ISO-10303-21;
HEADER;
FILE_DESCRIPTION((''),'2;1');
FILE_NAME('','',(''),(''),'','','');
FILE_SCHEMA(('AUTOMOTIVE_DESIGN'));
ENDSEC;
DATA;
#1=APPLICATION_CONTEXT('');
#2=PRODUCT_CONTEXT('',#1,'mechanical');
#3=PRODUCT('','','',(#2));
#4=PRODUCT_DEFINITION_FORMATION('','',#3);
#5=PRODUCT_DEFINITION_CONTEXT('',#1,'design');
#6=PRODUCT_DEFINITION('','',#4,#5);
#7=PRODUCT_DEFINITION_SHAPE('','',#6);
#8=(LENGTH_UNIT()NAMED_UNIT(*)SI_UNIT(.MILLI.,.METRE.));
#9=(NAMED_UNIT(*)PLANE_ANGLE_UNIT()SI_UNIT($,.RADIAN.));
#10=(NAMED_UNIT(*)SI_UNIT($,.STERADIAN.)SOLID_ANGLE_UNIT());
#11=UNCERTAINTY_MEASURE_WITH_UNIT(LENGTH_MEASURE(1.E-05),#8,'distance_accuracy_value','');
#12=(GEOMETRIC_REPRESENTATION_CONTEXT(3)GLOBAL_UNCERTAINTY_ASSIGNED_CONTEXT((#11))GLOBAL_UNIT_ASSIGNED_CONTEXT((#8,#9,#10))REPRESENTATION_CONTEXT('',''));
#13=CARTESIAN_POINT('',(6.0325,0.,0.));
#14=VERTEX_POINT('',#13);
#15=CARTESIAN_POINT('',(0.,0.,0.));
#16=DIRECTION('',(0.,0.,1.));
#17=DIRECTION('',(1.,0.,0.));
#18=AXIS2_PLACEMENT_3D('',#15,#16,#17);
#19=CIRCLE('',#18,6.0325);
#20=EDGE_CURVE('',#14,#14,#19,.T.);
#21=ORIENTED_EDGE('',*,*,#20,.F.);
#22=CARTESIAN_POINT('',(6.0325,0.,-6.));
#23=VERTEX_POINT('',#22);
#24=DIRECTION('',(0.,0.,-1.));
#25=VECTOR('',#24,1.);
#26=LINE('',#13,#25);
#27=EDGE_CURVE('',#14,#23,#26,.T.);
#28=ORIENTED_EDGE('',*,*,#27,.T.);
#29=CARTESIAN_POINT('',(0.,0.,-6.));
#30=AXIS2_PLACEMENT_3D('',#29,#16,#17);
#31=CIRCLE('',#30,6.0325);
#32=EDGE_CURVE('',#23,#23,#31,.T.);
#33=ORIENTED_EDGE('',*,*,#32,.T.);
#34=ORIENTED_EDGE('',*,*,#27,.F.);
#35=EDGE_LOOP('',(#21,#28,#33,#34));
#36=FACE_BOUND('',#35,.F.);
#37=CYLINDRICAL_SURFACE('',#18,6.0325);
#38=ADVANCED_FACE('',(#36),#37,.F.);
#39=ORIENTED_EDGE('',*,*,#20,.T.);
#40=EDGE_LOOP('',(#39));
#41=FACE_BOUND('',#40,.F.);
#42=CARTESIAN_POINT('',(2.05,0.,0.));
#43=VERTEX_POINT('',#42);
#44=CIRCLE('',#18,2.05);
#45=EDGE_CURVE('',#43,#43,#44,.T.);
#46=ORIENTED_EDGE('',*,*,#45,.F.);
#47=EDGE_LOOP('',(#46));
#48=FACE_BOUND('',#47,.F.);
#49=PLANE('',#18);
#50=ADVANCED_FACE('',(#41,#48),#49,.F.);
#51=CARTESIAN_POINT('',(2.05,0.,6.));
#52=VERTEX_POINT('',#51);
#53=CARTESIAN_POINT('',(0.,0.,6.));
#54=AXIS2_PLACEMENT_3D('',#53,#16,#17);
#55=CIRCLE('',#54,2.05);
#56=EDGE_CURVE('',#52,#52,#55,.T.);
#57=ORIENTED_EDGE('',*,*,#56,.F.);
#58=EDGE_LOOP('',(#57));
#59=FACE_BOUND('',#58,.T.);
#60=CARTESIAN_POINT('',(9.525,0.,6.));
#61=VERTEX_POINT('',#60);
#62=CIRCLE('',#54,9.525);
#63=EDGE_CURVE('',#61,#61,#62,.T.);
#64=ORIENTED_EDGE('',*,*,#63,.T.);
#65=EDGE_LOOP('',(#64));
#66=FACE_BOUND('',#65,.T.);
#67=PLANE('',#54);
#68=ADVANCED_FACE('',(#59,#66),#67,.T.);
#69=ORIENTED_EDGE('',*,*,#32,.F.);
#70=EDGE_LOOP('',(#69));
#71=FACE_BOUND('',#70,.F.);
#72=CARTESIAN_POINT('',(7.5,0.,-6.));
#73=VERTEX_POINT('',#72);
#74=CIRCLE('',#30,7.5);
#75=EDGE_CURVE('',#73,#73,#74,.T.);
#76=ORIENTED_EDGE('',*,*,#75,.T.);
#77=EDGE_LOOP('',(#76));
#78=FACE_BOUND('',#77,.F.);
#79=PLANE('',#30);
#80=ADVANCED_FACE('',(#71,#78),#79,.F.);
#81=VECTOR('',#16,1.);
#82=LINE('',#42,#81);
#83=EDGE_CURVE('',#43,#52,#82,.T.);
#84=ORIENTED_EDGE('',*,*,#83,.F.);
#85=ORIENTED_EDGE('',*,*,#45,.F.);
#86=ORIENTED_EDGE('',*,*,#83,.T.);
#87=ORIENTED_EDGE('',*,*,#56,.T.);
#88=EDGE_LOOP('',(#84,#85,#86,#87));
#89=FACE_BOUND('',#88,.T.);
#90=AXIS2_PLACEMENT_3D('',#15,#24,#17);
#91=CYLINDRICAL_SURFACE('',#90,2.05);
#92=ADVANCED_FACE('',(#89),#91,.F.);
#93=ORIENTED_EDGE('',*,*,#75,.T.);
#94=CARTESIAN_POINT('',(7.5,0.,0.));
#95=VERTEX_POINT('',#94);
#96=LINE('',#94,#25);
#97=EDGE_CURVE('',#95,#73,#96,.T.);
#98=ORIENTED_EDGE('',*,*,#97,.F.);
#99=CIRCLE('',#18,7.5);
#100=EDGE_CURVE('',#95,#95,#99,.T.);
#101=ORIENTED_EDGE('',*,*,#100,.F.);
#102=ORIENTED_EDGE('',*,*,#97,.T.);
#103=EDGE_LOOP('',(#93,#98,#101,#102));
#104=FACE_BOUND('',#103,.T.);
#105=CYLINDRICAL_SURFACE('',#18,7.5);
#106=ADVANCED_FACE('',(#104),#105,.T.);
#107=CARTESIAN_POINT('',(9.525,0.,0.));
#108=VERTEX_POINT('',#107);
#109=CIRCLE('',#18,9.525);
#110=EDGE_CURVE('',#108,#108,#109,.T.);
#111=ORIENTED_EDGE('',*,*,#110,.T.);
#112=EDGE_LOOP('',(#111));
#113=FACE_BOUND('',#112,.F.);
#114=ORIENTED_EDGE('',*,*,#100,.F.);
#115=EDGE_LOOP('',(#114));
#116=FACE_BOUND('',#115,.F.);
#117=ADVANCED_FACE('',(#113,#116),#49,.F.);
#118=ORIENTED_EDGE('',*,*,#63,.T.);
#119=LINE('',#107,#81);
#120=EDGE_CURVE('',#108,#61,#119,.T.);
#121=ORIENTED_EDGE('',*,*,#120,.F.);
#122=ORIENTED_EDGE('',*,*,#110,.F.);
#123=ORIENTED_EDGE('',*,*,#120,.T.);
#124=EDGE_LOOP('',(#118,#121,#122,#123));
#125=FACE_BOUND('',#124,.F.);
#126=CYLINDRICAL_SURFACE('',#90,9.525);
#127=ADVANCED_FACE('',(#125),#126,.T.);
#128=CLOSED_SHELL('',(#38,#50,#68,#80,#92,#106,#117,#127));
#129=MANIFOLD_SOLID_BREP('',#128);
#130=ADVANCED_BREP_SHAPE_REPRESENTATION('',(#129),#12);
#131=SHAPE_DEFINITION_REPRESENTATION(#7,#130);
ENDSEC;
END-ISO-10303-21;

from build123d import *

# Parameters (mm, degrees)
F0_R     = 9.525
F0_R_2   = 7.5
F0_R_3   = 6.0325
F0_R_4   = 2.05
F1_DEPTH = 6
F2_DEPTH = 6


with BuildPart() as f1:
    # F0 (on Top) → F1 (new body)
    with BuildSketch(Plane.XY):
        Circle(F0_R)
        Circle(F0_R_2, mode=Mode.SUBTRACT)
        Circle(F0_R_2)
        Circle(F0_R_3, mode=Mode.SUBTRACT)
        Circle(F0_R_3)
        Circle(F0_R_4, mode=Mode.SUBTRACT)
    extrude(amount=F1_DEPTH)

    # F0 (on Top) → F2 (join)
    with BuildSketch(Plane.XY):
        Circle(F0_R_2)
        Circle(F0_R_3, mode=Mode.SUBTRACT)
    extrude(amount=-F2_DEPTH)


solid = f1.part
